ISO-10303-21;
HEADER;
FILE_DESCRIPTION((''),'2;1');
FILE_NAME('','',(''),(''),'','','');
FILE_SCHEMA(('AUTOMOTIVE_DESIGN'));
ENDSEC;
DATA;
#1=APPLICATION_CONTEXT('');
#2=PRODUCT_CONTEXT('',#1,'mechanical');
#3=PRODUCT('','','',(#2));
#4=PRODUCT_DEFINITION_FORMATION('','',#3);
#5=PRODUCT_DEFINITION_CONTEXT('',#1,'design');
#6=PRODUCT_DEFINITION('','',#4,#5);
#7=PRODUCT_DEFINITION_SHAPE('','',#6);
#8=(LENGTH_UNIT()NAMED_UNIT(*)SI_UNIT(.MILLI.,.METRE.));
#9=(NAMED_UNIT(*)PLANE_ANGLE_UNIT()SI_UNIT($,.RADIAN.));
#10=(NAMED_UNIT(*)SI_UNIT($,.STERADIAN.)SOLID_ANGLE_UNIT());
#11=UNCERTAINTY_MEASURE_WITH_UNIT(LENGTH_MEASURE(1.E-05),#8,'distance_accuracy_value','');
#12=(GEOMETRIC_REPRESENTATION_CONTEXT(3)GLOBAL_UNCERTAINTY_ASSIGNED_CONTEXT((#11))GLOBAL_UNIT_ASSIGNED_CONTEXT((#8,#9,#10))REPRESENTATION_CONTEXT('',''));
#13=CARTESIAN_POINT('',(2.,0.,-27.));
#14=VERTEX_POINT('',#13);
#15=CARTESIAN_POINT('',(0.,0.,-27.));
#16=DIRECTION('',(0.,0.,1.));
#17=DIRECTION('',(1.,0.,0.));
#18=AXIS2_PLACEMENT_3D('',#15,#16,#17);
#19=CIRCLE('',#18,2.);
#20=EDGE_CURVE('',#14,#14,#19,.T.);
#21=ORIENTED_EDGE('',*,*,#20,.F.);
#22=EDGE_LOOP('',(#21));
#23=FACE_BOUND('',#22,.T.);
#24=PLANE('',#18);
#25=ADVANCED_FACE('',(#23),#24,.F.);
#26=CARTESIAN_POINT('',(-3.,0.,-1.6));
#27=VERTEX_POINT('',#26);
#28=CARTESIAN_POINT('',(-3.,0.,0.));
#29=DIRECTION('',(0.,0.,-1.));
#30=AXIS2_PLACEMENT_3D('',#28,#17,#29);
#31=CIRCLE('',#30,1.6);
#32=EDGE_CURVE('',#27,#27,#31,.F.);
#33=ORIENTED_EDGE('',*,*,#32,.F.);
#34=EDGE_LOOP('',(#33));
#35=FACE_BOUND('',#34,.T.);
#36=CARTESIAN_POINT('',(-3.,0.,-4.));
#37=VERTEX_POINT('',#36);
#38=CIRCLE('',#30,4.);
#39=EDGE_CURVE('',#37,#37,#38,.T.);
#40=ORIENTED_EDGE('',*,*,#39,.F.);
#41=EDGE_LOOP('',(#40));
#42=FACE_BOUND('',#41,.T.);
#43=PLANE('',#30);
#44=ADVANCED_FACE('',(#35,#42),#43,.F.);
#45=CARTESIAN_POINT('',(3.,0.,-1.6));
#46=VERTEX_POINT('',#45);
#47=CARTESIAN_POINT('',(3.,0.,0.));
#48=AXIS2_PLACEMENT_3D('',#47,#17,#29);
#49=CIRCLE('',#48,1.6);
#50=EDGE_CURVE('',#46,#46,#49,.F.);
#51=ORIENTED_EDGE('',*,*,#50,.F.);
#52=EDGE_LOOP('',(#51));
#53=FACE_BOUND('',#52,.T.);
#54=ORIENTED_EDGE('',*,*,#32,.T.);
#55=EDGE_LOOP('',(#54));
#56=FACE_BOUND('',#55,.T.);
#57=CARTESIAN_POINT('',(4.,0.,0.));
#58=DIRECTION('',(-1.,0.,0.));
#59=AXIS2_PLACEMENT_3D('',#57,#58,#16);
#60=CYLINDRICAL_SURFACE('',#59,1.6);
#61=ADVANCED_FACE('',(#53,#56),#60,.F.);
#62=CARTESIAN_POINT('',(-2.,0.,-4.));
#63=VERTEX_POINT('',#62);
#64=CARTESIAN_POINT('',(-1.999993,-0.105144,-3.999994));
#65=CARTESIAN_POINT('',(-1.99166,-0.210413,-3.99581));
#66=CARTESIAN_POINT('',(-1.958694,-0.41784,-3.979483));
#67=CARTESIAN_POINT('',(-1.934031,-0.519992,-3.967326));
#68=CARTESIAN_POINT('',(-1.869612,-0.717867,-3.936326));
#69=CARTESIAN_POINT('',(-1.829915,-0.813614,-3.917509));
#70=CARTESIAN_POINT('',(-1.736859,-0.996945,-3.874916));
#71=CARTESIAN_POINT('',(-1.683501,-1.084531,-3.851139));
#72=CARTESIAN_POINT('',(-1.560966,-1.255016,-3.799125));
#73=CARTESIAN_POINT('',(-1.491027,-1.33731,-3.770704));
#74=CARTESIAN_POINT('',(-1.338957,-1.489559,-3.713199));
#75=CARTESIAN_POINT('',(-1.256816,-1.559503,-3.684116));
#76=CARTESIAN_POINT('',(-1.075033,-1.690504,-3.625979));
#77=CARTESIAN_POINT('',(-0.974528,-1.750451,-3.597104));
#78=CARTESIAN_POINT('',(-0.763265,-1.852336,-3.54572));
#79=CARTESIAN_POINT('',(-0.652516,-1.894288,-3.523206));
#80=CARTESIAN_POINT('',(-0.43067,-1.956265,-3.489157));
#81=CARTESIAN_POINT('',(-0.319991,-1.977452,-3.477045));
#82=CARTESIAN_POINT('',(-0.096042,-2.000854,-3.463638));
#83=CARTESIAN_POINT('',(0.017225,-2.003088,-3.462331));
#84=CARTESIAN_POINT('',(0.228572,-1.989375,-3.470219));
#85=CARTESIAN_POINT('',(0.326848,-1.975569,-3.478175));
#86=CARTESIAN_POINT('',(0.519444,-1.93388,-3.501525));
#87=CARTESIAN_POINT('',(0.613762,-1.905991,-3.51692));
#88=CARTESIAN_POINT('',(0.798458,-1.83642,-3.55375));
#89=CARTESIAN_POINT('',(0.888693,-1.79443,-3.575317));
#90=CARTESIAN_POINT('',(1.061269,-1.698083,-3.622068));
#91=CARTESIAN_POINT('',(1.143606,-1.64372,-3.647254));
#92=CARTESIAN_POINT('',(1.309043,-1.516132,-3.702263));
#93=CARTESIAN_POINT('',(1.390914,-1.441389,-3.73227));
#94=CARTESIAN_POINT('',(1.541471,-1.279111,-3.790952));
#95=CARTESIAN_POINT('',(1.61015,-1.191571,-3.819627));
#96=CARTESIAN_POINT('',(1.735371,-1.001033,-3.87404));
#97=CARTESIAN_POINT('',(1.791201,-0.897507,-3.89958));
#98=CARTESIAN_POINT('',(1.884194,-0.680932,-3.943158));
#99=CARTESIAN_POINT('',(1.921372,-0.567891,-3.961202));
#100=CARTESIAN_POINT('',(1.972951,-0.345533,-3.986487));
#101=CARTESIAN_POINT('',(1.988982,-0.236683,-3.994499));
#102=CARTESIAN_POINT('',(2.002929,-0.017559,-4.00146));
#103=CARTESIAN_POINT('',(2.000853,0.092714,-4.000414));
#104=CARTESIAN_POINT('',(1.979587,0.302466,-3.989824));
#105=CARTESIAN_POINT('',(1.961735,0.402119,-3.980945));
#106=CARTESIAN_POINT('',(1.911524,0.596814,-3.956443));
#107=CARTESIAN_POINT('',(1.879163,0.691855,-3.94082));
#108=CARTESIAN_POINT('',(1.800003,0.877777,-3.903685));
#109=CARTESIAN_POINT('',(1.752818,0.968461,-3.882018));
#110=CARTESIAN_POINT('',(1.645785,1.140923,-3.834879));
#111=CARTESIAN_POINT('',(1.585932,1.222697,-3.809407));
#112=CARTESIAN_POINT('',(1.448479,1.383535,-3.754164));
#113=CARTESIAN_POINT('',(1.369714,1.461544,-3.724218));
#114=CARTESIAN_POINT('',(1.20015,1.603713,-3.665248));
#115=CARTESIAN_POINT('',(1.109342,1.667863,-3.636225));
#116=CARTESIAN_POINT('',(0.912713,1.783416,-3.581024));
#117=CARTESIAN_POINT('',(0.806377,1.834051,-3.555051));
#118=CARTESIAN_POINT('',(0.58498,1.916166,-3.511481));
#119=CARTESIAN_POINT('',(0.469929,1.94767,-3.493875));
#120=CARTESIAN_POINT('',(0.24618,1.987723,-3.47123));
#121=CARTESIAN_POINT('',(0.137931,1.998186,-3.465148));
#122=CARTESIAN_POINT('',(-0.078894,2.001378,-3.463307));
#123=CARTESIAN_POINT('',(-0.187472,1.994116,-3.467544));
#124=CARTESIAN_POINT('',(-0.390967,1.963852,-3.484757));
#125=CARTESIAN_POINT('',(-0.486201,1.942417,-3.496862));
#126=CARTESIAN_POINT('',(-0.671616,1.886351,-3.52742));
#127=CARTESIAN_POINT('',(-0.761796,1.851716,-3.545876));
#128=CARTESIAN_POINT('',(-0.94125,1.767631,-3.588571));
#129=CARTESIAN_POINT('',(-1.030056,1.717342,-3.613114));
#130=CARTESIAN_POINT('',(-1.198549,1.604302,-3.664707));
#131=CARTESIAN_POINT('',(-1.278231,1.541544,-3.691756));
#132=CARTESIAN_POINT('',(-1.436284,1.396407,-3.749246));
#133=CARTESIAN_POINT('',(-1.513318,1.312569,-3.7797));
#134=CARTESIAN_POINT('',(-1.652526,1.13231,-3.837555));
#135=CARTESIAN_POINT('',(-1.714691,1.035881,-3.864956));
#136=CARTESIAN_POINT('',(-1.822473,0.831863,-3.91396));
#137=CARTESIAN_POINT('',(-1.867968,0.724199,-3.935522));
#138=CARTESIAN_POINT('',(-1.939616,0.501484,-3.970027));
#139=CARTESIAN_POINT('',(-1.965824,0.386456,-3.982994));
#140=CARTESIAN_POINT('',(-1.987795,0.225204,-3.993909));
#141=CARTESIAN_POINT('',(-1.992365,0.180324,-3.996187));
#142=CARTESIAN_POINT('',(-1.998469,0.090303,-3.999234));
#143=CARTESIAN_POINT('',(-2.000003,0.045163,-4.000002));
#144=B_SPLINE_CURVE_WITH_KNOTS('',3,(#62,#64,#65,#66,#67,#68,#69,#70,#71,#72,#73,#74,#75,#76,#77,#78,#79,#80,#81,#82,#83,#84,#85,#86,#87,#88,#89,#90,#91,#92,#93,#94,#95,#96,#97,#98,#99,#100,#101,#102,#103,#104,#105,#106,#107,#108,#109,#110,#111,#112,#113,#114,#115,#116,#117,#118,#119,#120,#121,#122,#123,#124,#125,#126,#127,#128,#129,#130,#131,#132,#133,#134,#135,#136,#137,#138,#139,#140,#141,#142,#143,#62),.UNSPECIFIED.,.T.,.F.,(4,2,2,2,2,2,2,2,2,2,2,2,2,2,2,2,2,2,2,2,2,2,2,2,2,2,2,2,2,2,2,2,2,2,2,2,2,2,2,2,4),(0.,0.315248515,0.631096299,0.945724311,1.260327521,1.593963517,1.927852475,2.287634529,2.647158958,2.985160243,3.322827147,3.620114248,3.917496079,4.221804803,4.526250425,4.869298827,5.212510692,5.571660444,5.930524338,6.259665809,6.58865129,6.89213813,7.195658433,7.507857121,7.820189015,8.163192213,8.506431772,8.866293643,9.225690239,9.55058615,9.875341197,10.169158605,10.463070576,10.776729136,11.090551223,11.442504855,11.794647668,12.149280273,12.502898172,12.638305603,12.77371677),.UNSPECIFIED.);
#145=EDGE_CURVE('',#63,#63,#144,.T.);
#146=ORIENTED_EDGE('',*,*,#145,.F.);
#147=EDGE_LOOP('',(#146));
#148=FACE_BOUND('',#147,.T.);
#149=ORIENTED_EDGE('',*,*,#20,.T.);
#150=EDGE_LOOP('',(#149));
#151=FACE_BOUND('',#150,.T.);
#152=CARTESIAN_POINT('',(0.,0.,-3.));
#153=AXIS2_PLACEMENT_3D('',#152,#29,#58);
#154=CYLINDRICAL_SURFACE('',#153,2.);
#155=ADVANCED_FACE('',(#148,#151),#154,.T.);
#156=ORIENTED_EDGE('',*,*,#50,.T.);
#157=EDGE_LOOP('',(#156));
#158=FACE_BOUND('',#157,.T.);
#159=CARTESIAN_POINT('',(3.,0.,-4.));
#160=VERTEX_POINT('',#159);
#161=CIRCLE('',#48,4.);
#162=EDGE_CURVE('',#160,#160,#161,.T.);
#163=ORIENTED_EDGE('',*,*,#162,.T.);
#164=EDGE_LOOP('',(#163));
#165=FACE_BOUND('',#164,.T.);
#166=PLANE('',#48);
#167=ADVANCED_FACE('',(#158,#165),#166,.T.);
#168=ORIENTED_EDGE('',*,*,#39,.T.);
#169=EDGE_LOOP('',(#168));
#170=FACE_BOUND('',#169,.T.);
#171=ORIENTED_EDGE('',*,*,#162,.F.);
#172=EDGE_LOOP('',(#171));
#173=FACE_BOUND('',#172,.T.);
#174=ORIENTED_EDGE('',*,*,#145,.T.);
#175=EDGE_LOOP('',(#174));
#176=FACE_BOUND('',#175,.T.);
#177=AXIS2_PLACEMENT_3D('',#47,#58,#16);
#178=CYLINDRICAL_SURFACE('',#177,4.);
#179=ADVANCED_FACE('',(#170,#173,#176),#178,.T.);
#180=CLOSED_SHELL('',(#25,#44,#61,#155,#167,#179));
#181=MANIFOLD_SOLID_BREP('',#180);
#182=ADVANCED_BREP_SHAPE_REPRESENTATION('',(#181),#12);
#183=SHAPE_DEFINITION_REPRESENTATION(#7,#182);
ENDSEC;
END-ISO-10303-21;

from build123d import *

# Parameters (mm, degrees)
F_0012_CYLINDER_SKETCH_R     = 2
F_0012_CYLINDER_DEPTH        = 24
F_0014_CYLINDER_SKETCH_R     = 4
F_0014_CYLINDER_DEPTH        = 6
F_0014_CYLINDER_ROTATE_ANGLE = 90
F_0016_CYLINDER_SKETCH_R     = 1.6
F_0016_CYLINDER_DEPTH        = 8
F_0016_CYLINDER_ROTATE_ANGLE = 90


with BuildPart() as part:
    # 0012_cylinder_Sketch → 0012_cylinder (new body)
    with BuildSketch(Plane.XY):
        Circle(F_0012_CYLINDER_SKETCH_R)
    extrude(amount=F_0012_CYLINDER_DEPTH)


with BuildPart() as part_1:
    # 0012_cylinder_Translate: moved
    add(part.part.moved(Location((0, 0, -27))))


with BuildPart() as body_2:
    # 0014_cylinder_Sketch → 0014_cylinder (new body)
    with BuildSketch(Plane.XY):
        Circle(F_0014_CYLINDER_SKETCH_R)
    extrude(amount=F_0014_CYLINDER_DEPTH)


with BuildPart() as body_2_1:
    # 0014_cylinder_Rotate: moved
    add(body_2.part.rotate(Axis((0, 0, 0), (0, 1, 0)), F_0014_CYLINDER_ROTATE_ANGLE))


with BuildPart() as body_2_2:
    # 0014_cylinder_Translate: moved
    add(body_2_1.part.moved(Location((-3, 0, 0))))


with BuildPart() as part_2:
    add(part_1.part)

    # 0015_add: union body 2
    add(body_2_2.part)


with BuildPart() as body_2_2_1:
    # 0016_cylinder_Sketch → 0016_cylinder (new body)
    with BuildSketch(Plane.XY):
        Circle(F_0016_CYLINDER_SKETCH_R)
    extrude(amount=F_0016_CYLINDER_DEPTH)


with BuildPart() as body_2_2_2:
    # 0016_cylinder_Rotate: moved
    add(body_2_2_1.part.rotate(Axis((0, 0, 0), (0, 1, 0)), F_0016_CYLINDER_ROTATE_ANGLE))


with BuildPart() as body_2_2_3:
    # 0016_cylinder_Translate: moved
    add(body_2_2_2.part.moved(Location((-4, 0, 0))))


with BuildPart() as part_3:
    add(part_2.part)

    # 0017_sub: cut body 2 2
    add(body_2_2_3.part, mode=Mode.SUBTRACT)


solid = part_3.part
